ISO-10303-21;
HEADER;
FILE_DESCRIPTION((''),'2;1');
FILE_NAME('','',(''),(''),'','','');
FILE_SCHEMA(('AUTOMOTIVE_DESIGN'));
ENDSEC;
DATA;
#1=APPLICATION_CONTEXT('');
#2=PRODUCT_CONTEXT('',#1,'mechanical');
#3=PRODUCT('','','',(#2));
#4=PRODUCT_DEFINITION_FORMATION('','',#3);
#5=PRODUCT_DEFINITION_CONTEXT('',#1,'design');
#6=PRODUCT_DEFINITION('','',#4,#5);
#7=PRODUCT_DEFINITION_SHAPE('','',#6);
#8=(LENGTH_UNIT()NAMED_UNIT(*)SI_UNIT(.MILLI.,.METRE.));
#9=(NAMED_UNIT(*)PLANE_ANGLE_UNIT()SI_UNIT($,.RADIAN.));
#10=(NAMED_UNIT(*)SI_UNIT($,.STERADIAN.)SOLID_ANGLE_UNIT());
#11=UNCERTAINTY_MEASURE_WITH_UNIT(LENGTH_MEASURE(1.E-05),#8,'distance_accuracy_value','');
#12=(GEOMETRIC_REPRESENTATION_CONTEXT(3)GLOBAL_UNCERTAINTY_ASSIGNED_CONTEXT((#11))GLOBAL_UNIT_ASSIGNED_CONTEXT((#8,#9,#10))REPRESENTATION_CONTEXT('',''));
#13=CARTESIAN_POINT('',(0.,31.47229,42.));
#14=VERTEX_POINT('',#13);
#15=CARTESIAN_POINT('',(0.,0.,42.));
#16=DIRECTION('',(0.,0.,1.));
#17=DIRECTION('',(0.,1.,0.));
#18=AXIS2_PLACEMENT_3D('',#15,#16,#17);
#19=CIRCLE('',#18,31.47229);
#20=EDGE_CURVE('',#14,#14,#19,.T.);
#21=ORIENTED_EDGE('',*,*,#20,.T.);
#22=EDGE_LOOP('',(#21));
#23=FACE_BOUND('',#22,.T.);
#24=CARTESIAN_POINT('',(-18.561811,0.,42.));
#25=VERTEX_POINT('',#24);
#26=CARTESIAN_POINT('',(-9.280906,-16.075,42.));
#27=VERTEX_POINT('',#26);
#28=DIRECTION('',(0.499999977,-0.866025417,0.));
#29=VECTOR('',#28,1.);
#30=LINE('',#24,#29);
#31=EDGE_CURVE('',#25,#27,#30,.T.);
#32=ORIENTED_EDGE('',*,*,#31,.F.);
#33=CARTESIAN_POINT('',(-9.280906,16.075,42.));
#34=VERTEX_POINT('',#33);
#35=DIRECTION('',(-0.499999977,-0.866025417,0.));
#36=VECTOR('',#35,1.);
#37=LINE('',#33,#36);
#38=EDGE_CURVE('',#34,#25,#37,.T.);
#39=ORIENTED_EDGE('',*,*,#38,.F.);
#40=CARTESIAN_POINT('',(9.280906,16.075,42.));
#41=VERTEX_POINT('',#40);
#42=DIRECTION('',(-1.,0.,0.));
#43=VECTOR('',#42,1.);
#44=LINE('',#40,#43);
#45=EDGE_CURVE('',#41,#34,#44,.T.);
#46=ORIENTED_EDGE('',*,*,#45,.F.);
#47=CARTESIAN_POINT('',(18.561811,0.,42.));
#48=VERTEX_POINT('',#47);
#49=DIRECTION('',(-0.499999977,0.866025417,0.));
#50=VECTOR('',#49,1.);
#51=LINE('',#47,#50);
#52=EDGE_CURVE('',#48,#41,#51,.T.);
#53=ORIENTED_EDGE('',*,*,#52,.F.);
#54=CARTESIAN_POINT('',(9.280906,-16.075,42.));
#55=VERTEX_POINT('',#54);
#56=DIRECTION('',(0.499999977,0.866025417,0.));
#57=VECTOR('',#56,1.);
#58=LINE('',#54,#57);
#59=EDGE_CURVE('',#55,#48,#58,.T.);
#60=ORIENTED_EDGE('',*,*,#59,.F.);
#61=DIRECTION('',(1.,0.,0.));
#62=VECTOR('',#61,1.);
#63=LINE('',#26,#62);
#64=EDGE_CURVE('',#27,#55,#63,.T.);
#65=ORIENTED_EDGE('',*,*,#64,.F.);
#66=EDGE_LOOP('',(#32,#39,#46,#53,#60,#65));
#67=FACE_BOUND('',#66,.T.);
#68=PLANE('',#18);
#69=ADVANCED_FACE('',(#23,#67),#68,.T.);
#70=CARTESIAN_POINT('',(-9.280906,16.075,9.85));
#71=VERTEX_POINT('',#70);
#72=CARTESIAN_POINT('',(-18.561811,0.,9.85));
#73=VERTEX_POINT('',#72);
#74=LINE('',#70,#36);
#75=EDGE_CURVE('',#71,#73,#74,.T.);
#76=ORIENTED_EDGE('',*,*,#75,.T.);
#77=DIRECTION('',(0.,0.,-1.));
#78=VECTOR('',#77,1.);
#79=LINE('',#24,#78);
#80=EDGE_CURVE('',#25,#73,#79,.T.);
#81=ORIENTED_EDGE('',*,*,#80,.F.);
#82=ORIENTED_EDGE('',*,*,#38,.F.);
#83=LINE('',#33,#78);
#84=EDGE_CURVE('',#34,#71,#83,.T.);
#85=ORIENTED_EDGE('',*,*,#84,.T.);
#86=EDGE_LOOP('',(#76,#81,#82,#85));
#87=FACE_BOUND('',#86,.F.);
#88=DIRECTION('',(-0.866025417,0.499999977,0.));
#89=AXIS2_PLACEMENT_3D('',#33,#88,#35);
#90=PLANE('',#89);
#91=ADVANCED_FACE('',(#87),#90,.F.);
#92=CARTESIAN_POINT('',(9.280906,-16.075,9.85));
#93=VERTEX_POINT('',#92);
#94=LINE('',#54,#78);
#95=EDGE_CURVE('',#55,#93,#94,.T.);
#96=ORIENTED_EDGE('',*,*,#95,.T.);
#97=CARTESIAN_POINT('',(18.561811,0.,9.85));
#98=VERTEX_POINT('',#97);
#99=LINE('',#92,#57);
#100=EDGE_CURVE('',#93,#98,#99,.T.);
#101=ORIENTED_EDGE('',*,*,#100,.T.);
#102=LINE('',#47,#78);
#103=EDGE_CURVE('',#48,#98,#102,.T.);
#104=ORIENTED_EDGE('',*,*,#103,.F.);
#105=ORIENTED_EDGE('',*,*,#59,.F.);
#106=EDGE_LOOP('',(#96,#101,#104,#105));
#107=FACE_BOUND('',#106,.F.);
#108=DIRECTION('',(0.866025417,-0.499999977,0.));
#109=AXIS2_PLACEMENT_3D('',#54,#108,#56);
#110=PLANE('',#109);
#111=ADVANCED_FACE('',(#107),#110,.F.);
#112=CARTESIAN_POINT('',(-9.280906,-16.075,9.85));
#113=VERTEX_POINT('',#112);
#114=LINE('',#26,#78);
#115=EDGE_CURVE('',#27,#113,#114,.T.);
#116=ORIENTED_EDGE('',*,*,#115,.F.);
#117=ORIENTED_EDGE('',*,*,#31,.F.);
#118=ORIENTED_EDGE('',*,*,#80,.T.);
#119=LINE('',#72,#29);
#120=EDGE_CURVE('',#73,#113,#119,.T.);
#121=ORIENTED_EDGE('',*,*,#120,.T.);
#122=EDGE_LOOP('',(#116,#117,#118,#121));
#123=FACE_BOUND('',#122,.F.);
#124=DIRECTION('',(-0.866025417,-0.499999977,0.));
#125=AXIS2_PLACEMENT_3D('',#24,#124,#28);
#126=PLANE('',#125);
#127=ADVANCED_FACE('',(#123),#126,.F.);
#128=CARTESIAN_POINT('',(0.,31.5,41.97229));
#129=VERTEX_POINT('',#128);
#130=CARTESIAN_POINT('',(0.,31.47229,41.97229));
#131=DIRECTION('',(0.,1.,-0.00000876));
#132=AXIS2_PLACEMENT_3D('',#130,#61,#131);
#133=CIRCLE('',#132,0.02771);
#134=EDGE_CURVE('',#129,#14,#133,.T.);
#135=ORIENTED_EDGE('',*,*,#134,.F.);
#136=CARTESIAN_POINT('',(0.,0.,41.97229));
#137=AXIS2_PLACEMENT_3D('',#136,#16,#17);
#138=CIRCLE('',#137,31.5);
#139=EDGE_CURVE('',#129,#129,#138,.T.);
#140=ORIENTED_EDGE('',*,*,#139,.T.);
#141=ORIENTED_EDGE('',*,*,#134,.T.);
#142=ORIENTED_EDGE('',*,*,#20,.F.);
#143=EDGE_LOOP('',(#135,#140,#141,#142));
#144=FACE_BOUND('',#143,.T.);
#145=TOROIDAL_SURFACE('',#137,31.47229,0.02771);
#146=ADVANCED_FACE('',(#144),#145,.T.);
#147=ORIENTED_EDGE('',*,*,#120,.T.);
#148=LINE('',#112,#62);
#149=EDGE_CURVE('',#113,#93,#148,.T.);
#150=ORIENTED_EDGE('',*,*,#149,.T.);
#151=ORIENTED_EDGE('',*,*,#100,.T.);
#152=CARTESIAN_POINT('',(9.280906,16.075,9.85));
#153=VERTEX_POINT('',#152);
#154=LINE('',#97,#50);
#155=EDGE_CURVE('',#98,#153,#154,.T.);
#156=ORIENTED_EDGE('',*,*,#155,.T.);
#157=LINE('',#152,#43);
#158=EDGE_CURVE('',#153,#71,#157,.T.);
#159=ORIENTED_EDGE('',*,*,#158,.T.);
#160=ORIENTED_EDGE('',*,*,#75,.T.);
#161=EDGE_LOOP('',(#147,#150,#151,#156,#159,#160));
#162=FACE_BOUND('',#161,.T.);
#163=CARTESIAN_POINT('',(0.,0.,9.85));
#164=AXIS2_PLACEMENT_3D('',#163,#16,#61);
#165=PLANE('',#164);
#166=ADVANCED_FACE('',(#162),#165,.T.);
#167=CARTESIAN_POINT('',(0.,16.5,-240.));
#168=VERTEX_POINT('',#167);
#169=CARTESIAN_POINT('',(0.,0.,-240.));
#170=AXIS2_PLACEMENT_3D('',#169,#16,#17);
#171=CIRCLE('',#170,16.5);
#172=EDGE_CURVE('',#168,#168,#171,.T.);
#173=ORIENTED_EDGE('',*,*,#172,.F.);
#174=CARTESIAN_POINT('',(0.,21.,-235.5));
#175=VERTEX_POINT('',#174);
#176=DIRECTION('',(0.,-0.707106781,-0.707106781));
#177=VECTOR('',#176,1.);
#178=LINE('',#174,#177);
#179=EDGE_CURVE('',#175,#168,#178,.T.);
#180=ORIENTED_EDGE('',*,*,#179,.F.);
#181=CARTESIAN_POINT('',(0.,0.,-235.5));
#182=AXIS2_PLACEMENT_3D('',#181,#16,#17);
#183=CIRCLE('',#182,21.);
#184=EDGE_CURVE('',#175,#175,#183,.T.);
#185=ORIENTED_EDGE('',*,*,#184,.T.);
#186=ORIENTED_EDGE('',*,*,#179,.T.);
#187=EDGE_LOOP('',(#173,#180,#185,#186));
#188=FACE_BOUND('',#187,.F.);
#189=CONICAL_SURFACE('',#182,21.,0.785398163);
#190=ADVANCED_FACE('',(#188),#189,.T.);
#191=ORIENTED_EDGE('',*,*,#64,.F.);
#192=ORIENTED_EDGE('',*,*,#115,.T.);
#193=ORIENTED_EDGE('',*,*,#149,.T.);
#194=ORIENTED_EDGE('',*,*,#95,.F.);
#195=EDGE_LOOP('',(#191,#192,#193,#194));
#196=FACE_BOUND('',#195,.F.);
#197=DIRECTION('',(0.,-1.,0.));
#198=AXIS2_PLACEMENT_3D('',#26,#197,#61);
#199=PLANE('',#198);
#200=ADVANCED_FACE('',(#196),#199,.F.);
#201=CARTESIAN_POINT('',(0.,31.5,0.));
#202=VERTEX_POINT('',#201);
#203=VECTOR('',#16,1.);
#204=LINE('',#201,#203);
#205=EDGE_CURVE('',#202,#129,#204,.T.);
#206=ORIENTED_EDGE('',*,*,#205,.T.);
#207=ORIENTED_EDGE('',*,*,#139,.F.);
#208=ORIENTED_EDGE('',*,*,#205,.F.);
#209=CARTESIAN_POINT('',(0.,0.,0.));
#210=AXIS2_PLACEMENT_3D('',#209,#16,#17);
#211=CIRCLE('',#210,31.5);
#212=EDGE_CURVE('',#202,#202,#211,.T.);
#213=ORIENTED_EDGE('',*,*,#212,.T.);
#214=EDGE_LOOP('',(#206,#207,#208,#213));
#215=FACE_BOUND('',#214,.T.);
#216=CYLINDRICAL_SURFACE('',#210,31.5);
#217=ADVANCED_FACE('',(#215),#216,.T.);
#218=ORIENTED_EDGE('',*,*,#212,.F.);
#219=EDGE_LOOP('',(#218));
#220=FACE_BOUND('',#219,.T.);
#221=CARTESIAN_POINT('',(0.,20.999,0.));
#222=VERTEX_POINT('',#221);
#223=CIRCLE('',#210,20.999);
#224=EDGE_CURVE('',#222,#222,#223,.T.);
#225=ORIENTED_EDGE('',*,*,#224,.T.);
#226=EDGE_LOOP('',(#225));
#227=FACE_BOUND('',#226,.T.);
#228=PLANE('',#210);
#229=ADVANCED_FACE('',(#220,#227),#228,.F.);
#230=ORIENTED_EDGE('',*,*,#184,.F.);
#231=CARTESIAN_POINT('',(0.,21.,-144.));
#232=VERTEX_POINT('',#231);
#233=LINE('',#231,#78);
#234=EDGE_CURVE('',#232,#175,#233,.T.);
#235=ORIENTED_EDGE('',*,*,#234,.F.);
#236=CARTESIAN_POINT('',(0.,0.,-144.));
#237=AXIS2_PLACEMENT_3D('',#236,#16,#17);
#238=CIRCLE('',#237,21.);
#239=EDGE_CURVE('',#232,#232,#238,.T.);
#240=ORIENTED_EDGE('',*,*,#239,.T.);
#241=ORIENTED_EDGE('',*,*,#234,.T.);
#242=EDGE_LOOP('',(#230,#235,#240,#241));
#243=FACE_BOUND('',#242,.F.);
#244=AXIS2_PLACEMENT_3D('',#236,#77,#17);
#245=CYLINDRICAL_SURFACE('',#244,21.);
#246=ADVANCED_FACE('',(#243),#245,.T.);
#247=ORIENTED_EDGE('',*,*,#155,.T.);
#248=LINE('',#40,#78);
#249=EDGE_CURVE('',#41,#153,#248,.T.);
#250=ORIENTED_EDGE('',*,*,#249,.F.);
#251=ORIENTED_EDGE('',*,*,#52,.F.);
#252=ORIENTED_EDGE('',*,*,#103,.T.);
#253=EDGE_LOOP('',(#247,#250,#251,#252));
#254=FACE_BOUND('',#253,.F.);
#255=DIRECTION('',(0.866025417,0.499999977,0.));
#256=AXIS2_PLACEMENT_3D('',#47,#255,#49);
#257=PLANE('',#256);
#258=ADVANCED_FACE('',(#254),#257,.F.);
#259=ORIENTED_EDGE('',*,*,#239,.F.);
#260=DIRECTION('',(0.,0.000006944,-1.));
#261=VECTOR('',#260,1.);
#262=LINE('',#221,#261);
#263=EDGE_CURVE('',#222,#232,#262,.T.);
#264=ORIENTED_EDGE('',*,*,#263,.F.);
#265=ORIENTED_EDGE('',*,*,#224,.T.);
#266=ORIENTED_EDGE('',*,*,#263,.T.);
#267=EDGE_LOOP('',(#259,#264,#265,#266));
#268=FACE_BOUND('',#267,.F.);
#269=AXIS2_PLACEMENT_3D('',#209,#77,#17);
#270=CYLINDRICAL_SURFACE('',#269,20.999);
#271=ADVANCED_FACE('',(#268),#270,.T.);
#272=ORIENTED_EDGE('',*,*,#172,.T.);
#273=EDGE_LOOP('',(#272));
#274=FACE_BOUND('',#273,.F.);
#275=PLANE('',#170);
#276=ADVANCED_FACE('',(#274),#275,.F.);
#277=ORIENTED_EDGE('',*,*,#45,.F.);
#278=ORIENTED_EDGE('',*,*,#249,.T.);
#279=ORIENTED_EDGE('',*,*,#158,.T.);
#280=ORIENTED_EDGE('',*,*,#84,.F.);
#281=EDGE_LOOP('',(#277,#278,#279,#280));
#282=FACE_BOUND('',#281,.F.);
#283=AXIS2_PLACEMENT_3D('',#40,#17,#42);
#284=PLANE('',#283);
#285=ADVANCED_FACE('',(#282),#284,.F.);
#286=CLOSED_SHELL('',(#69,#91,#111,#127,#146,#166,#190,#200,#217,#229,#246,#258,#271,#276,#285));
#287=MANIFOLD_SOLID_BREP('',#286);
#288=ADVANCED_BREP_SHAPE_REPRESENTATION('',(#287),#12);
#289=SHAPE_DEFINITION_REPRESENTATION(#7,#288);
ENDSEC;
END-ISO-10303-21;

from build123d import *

# Parameters (mm, degrees)
POCKET_DEPTH = 32.15


with BuildPart() as part:
    # Sketch → Revolve (revolve)
    with BuildSketch(Plane.YZ):
        with BuildLine():
            Line((20.999, 0), (31.5, 0))
            Line((31.5, 0), (31.5, 41.97229))
            ThreePointArc((31.5, 41.97229), (31.491884, 41.991884), (31.47229, 42))
            Line((31.47229, 42), (0, 42))
            Line((0, -240), (0, 42))
            Line((16.5, -240), (0, -240))
            Line((21, -235.5), (16.5, -240))
            Line((21, -144), (21, -235.5))
            Line((20.999, 0), (21, -144))
        make_face()
    revolve(axis=Axis((0, 0, 0), (0, 0, 1)))

    # Sketch001 → Pocket (cut)
    with BuildSketch(Plane.XY.offset(42)):
        Polygon((18.561811, 0), (9.280906, 16.075), (-9.280906, 16.075), (-18.561811, 0), (-9.280906, -16.075), (9.280906, -16.075), align=None)
    extrude(amount=-POCKET_DEPTH, mode=Mode.SUBTRACT)


solid = part.part
